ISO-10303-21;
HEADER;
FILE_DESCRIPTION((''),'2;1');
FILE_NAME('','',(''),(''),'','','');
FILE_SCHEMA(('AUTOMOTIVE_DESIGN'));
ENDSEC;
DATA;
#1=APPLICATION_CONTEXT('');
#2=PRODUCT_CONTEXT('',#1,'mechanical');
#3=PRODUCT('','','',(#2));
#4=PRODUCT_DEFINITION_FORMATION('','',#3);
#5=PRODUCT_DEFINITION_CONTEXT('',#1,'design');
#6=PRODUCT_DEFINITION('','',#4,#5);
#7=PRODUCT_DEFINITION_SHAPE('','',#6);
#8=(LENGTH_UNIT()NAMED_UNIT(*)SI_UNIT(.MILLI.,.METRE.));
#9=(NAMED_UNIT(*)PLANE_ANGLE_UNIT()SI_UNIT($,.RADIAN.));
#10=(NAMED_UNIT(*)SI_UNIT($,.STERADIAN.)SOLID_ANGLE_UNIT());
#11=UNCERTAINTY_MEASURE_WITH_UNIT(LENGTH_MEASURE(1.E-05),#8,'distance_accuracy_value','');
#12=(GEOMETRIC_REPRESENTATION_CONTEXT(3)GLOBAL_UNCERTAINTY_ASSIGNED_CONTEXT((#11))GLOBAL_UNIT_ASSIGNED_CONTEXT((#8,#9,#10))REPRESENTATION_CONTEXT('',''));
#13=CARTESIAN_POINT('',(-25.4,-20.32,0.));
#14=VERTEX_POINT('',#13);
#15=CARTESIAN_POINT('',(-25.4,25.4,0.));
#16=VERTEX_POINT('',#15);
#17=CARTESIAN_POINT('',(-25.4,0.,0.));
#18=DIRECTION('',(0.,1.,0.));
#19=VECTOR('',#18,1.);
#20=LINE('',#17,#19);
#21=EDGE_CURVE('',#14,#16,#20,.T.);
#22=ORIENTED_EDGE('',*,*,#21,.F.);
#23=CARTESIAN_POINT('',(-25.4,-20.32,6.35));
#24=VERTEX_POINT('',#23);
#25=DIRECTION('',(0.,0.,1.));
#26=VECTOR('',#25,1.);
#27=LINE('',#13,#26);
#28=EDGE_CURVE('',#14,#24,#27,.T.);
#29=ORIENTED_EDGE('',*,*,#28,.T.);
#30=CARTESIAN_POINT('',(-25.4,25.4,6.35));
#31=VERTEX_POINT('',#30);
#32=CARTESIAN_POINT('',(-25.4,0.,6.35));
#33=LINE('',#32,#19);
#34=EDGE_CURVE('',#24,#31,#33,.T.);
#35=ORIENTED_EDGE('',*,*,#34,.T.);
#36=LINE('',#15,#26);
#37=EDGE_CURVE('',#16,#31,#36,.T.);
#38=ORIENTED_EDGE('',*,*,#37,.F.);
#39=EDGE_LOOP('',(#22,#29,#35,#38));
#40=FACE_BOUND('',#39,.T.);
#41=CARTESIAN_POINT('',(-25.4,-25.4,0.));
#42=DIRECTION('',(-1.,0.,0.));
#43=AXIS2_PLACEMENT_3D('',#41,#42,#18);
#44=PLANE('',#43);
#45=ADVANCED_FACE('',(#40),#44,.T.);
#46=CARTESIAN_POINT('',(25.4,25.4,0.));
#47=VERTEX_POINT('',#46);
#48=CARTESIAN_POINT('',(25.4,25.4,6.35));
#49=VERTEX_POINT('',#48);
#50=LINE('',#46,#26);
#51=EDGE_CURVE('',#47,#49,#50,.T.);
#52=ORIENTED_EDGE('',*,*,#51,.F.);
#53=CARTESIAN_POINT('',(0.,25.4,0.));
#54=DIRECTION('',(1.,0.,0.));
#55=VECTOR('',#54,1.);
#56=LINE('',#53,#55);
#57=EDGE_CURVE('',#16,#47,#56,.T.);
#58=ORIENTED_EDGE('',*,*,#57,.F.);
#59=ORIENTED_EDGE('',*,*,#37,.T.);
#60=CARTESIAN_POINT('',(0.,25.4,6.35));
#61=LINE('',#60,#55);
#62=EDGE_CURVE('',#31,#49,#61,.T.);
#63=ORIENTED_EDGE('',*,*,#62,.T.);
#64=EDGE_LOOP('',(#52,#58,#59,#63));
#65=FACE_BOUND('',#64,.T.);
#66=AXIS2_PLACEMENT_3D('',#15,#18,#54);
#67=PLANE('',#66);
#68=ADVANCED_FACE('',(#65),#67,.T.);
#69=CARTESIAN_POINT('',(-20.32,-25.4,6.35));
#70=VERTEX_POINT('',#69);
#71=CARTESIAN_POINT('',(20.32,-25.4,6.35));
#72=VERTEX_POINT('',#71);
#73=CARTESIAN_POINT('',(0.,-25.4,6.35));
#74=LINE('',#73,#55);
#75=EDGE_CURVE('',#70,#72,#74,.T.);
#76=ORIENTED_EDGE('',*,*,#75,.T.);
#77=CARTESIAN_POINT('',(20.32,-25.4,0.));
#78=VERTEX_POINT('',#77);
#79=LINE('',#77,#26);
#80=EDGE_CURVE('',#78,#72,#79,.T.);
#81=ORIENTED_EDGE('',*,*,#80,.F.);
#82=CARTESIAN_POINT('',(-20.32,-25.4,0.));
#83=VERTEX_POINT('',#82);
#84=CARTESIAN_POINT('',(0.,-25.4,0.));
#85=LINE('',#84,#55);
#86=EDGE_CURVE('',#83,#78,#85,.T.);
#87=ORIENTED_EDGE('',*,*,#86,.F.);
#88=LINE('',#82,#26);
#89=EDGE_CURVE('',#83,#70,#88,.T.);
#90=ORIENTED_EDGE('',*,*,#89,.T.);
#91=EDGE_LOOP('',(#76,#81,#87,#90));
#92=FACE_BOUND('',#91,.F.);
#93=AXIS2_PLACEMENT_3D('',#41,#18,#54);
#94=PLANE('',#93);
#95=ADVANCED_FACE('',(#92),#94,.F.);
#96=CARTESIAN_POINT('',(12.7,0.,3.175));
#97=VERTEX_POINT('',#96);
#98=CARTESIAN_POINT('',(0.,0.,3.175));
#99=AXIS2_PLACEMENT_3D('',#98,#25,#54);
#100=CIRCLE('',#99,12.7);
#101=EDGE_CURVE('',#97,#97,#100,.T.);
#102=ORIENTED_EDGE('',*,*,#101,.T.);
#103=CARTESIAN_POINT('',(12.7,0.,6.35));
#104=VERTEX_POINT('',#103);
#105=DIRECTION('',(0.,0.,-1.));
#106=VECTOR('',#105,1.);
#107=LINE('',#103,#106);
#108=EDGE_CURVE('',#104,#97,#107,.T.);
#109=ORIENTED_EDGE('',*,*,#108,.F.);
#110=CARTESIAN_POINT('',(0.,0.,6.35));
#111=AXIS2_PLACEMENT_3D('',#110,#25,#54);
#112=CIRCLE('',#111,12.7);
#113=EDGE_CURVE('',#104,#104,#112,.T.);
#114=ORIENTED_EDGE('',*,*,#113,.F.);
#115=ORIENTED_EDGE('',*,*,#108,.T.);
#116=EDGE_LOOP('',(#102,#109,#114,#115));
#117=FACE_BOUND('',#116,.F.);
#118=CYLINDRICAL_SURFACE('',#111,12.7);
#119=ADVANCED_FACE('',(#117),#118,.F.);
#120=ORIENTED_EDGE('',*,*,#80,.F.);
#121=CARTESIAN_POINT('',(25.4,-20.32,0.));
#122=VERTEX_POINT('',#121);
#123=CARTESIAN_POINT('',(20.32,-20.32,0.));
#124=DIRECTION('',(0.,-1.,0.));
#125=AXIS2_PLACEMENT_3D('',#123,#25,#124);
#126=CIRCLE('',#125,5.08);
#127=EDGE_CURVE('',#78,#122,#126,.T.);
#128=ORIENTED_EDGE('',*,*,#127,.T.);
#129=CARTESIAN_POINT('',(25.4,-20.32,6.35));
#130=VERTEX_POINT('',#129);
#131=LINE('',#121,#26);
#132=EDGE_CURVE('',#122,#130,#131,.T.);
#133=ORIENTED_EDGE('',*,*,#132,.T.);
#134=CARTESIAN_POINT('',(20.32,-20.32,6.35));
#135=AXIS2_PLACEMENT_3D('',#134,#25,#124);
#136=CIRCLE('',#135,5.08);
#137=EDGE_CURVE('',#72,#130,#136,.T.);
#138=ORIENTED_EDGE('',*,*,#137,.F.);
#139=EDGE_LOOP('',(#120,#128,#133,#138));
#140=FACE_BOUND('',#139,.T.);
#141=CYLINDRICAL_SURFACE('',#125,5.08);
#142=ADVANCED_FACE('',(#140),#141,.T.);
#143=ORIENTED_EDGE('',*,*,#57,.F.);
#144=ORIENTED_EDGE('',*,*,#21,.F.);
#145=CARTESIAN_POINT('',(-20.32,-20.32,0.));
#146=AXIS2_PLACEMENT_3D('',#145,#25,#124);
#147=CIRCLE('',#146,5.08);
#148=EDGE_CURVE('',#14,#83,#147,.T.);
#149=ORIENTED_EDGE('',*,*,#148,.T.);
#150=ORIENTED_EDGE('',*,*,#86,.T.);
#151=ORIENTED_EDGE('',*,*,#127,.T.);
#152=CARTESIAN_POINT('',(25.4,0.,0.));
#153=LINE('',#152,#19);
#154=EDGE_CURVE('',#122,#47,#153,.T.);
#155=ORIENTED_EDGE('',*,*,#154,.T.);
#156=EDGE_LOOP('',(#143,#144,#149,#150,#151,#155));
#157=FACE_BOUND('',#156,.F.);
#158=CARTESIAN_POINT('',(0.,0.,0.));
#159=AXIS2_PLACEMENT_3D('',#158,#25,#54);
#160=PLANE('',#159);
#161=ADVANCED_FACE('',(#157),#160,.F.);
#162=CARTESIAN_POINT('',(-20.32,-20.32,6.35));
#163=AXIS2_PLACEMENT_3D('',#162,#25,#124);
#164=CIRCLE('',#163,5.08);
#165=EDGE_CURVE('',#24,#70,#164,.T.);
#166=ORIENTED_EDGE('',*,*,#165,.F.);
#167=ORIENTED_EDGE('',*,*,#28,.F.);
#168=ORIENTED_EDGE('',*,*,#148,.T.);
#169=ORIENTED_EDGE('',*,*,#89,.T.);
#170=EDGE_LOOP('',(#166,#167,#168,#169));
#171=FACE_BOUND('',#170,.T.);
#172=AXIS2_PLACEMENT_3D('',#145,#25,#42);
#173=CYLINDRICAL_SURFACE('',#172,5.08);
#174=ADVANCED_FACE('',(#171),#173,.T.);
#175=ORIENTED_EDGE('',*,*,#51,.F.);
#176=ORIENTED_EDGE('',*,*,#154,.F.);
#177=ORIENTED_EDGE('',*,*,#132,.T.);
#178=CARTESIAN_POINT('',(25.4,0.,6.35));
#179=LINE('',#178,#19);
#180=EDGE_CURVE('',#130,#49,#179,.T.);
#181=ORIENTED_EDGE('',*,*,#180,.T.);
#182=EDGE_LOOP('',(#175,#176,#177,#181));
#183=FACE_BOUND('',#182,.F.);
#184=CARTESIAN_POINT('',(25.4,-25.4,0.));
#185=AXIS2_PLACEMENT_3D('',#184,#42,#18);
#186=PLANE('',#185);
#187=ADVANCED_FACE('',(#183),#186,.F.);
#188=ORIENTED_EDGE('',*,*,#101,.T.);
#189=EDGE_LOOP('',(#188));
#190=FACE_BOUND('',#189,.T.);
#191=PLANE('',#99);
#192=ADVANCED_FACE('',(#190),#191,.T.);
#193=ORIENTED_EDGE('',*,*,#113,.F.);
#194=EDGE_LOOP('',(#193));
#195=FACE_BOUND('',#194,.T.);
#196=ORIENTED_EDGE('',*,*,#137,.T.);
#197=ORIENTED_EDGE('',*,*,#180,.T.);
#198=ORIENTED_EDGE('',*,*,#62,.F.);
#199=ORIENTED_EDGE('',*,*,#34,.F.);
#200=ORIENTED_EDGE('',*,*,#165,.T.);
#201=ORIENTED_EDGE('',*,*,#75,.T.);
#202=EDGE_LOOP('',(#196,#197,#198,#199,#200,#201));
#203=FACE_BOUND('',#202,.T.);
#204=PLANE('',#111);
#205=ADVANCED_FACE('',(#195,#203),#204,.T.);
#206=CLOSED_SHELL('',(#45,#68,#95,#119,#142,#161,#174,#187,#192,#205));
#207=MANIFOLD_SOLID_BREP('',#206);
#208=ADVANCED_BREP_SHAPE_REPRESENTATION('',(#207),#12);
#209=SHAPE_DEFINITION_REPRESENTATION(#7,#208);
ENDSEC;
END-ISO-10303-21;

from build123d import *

# Parameters (mm, degrees)
F0_W     = 50.8
F0_H     = 50.8
F1_DEPTH = 6.35
F2_R     = 5.08
F3_R     = 12.7
F4_DEPTH = 3.175


with BuildPart() as f1:
    # F0 (on Top) → F1 (new body)
    with BuildSketch(Plane.XY):
        Rectangle(F0_W, F0_H)
    extrude(amount=F1_DEPTH)

    # F2
    f2_edges = [f1.edges().sort_by_distance(p)[0] for p in [
        (-25.4, -25.4, 3.175),
        (25.4, -25.4, 3.175),
    ]]
    fillet(f2_edges, radius=F2_R)

    # F3 (on face) → F4 (cut)
    with BuildSketch(Plane.XY.offset(6.35)):
        Circle(F3_R)
    extrude(amount=-F4_DEPTH, mode=Mode.SUBTRACT)


solid = f1.part
